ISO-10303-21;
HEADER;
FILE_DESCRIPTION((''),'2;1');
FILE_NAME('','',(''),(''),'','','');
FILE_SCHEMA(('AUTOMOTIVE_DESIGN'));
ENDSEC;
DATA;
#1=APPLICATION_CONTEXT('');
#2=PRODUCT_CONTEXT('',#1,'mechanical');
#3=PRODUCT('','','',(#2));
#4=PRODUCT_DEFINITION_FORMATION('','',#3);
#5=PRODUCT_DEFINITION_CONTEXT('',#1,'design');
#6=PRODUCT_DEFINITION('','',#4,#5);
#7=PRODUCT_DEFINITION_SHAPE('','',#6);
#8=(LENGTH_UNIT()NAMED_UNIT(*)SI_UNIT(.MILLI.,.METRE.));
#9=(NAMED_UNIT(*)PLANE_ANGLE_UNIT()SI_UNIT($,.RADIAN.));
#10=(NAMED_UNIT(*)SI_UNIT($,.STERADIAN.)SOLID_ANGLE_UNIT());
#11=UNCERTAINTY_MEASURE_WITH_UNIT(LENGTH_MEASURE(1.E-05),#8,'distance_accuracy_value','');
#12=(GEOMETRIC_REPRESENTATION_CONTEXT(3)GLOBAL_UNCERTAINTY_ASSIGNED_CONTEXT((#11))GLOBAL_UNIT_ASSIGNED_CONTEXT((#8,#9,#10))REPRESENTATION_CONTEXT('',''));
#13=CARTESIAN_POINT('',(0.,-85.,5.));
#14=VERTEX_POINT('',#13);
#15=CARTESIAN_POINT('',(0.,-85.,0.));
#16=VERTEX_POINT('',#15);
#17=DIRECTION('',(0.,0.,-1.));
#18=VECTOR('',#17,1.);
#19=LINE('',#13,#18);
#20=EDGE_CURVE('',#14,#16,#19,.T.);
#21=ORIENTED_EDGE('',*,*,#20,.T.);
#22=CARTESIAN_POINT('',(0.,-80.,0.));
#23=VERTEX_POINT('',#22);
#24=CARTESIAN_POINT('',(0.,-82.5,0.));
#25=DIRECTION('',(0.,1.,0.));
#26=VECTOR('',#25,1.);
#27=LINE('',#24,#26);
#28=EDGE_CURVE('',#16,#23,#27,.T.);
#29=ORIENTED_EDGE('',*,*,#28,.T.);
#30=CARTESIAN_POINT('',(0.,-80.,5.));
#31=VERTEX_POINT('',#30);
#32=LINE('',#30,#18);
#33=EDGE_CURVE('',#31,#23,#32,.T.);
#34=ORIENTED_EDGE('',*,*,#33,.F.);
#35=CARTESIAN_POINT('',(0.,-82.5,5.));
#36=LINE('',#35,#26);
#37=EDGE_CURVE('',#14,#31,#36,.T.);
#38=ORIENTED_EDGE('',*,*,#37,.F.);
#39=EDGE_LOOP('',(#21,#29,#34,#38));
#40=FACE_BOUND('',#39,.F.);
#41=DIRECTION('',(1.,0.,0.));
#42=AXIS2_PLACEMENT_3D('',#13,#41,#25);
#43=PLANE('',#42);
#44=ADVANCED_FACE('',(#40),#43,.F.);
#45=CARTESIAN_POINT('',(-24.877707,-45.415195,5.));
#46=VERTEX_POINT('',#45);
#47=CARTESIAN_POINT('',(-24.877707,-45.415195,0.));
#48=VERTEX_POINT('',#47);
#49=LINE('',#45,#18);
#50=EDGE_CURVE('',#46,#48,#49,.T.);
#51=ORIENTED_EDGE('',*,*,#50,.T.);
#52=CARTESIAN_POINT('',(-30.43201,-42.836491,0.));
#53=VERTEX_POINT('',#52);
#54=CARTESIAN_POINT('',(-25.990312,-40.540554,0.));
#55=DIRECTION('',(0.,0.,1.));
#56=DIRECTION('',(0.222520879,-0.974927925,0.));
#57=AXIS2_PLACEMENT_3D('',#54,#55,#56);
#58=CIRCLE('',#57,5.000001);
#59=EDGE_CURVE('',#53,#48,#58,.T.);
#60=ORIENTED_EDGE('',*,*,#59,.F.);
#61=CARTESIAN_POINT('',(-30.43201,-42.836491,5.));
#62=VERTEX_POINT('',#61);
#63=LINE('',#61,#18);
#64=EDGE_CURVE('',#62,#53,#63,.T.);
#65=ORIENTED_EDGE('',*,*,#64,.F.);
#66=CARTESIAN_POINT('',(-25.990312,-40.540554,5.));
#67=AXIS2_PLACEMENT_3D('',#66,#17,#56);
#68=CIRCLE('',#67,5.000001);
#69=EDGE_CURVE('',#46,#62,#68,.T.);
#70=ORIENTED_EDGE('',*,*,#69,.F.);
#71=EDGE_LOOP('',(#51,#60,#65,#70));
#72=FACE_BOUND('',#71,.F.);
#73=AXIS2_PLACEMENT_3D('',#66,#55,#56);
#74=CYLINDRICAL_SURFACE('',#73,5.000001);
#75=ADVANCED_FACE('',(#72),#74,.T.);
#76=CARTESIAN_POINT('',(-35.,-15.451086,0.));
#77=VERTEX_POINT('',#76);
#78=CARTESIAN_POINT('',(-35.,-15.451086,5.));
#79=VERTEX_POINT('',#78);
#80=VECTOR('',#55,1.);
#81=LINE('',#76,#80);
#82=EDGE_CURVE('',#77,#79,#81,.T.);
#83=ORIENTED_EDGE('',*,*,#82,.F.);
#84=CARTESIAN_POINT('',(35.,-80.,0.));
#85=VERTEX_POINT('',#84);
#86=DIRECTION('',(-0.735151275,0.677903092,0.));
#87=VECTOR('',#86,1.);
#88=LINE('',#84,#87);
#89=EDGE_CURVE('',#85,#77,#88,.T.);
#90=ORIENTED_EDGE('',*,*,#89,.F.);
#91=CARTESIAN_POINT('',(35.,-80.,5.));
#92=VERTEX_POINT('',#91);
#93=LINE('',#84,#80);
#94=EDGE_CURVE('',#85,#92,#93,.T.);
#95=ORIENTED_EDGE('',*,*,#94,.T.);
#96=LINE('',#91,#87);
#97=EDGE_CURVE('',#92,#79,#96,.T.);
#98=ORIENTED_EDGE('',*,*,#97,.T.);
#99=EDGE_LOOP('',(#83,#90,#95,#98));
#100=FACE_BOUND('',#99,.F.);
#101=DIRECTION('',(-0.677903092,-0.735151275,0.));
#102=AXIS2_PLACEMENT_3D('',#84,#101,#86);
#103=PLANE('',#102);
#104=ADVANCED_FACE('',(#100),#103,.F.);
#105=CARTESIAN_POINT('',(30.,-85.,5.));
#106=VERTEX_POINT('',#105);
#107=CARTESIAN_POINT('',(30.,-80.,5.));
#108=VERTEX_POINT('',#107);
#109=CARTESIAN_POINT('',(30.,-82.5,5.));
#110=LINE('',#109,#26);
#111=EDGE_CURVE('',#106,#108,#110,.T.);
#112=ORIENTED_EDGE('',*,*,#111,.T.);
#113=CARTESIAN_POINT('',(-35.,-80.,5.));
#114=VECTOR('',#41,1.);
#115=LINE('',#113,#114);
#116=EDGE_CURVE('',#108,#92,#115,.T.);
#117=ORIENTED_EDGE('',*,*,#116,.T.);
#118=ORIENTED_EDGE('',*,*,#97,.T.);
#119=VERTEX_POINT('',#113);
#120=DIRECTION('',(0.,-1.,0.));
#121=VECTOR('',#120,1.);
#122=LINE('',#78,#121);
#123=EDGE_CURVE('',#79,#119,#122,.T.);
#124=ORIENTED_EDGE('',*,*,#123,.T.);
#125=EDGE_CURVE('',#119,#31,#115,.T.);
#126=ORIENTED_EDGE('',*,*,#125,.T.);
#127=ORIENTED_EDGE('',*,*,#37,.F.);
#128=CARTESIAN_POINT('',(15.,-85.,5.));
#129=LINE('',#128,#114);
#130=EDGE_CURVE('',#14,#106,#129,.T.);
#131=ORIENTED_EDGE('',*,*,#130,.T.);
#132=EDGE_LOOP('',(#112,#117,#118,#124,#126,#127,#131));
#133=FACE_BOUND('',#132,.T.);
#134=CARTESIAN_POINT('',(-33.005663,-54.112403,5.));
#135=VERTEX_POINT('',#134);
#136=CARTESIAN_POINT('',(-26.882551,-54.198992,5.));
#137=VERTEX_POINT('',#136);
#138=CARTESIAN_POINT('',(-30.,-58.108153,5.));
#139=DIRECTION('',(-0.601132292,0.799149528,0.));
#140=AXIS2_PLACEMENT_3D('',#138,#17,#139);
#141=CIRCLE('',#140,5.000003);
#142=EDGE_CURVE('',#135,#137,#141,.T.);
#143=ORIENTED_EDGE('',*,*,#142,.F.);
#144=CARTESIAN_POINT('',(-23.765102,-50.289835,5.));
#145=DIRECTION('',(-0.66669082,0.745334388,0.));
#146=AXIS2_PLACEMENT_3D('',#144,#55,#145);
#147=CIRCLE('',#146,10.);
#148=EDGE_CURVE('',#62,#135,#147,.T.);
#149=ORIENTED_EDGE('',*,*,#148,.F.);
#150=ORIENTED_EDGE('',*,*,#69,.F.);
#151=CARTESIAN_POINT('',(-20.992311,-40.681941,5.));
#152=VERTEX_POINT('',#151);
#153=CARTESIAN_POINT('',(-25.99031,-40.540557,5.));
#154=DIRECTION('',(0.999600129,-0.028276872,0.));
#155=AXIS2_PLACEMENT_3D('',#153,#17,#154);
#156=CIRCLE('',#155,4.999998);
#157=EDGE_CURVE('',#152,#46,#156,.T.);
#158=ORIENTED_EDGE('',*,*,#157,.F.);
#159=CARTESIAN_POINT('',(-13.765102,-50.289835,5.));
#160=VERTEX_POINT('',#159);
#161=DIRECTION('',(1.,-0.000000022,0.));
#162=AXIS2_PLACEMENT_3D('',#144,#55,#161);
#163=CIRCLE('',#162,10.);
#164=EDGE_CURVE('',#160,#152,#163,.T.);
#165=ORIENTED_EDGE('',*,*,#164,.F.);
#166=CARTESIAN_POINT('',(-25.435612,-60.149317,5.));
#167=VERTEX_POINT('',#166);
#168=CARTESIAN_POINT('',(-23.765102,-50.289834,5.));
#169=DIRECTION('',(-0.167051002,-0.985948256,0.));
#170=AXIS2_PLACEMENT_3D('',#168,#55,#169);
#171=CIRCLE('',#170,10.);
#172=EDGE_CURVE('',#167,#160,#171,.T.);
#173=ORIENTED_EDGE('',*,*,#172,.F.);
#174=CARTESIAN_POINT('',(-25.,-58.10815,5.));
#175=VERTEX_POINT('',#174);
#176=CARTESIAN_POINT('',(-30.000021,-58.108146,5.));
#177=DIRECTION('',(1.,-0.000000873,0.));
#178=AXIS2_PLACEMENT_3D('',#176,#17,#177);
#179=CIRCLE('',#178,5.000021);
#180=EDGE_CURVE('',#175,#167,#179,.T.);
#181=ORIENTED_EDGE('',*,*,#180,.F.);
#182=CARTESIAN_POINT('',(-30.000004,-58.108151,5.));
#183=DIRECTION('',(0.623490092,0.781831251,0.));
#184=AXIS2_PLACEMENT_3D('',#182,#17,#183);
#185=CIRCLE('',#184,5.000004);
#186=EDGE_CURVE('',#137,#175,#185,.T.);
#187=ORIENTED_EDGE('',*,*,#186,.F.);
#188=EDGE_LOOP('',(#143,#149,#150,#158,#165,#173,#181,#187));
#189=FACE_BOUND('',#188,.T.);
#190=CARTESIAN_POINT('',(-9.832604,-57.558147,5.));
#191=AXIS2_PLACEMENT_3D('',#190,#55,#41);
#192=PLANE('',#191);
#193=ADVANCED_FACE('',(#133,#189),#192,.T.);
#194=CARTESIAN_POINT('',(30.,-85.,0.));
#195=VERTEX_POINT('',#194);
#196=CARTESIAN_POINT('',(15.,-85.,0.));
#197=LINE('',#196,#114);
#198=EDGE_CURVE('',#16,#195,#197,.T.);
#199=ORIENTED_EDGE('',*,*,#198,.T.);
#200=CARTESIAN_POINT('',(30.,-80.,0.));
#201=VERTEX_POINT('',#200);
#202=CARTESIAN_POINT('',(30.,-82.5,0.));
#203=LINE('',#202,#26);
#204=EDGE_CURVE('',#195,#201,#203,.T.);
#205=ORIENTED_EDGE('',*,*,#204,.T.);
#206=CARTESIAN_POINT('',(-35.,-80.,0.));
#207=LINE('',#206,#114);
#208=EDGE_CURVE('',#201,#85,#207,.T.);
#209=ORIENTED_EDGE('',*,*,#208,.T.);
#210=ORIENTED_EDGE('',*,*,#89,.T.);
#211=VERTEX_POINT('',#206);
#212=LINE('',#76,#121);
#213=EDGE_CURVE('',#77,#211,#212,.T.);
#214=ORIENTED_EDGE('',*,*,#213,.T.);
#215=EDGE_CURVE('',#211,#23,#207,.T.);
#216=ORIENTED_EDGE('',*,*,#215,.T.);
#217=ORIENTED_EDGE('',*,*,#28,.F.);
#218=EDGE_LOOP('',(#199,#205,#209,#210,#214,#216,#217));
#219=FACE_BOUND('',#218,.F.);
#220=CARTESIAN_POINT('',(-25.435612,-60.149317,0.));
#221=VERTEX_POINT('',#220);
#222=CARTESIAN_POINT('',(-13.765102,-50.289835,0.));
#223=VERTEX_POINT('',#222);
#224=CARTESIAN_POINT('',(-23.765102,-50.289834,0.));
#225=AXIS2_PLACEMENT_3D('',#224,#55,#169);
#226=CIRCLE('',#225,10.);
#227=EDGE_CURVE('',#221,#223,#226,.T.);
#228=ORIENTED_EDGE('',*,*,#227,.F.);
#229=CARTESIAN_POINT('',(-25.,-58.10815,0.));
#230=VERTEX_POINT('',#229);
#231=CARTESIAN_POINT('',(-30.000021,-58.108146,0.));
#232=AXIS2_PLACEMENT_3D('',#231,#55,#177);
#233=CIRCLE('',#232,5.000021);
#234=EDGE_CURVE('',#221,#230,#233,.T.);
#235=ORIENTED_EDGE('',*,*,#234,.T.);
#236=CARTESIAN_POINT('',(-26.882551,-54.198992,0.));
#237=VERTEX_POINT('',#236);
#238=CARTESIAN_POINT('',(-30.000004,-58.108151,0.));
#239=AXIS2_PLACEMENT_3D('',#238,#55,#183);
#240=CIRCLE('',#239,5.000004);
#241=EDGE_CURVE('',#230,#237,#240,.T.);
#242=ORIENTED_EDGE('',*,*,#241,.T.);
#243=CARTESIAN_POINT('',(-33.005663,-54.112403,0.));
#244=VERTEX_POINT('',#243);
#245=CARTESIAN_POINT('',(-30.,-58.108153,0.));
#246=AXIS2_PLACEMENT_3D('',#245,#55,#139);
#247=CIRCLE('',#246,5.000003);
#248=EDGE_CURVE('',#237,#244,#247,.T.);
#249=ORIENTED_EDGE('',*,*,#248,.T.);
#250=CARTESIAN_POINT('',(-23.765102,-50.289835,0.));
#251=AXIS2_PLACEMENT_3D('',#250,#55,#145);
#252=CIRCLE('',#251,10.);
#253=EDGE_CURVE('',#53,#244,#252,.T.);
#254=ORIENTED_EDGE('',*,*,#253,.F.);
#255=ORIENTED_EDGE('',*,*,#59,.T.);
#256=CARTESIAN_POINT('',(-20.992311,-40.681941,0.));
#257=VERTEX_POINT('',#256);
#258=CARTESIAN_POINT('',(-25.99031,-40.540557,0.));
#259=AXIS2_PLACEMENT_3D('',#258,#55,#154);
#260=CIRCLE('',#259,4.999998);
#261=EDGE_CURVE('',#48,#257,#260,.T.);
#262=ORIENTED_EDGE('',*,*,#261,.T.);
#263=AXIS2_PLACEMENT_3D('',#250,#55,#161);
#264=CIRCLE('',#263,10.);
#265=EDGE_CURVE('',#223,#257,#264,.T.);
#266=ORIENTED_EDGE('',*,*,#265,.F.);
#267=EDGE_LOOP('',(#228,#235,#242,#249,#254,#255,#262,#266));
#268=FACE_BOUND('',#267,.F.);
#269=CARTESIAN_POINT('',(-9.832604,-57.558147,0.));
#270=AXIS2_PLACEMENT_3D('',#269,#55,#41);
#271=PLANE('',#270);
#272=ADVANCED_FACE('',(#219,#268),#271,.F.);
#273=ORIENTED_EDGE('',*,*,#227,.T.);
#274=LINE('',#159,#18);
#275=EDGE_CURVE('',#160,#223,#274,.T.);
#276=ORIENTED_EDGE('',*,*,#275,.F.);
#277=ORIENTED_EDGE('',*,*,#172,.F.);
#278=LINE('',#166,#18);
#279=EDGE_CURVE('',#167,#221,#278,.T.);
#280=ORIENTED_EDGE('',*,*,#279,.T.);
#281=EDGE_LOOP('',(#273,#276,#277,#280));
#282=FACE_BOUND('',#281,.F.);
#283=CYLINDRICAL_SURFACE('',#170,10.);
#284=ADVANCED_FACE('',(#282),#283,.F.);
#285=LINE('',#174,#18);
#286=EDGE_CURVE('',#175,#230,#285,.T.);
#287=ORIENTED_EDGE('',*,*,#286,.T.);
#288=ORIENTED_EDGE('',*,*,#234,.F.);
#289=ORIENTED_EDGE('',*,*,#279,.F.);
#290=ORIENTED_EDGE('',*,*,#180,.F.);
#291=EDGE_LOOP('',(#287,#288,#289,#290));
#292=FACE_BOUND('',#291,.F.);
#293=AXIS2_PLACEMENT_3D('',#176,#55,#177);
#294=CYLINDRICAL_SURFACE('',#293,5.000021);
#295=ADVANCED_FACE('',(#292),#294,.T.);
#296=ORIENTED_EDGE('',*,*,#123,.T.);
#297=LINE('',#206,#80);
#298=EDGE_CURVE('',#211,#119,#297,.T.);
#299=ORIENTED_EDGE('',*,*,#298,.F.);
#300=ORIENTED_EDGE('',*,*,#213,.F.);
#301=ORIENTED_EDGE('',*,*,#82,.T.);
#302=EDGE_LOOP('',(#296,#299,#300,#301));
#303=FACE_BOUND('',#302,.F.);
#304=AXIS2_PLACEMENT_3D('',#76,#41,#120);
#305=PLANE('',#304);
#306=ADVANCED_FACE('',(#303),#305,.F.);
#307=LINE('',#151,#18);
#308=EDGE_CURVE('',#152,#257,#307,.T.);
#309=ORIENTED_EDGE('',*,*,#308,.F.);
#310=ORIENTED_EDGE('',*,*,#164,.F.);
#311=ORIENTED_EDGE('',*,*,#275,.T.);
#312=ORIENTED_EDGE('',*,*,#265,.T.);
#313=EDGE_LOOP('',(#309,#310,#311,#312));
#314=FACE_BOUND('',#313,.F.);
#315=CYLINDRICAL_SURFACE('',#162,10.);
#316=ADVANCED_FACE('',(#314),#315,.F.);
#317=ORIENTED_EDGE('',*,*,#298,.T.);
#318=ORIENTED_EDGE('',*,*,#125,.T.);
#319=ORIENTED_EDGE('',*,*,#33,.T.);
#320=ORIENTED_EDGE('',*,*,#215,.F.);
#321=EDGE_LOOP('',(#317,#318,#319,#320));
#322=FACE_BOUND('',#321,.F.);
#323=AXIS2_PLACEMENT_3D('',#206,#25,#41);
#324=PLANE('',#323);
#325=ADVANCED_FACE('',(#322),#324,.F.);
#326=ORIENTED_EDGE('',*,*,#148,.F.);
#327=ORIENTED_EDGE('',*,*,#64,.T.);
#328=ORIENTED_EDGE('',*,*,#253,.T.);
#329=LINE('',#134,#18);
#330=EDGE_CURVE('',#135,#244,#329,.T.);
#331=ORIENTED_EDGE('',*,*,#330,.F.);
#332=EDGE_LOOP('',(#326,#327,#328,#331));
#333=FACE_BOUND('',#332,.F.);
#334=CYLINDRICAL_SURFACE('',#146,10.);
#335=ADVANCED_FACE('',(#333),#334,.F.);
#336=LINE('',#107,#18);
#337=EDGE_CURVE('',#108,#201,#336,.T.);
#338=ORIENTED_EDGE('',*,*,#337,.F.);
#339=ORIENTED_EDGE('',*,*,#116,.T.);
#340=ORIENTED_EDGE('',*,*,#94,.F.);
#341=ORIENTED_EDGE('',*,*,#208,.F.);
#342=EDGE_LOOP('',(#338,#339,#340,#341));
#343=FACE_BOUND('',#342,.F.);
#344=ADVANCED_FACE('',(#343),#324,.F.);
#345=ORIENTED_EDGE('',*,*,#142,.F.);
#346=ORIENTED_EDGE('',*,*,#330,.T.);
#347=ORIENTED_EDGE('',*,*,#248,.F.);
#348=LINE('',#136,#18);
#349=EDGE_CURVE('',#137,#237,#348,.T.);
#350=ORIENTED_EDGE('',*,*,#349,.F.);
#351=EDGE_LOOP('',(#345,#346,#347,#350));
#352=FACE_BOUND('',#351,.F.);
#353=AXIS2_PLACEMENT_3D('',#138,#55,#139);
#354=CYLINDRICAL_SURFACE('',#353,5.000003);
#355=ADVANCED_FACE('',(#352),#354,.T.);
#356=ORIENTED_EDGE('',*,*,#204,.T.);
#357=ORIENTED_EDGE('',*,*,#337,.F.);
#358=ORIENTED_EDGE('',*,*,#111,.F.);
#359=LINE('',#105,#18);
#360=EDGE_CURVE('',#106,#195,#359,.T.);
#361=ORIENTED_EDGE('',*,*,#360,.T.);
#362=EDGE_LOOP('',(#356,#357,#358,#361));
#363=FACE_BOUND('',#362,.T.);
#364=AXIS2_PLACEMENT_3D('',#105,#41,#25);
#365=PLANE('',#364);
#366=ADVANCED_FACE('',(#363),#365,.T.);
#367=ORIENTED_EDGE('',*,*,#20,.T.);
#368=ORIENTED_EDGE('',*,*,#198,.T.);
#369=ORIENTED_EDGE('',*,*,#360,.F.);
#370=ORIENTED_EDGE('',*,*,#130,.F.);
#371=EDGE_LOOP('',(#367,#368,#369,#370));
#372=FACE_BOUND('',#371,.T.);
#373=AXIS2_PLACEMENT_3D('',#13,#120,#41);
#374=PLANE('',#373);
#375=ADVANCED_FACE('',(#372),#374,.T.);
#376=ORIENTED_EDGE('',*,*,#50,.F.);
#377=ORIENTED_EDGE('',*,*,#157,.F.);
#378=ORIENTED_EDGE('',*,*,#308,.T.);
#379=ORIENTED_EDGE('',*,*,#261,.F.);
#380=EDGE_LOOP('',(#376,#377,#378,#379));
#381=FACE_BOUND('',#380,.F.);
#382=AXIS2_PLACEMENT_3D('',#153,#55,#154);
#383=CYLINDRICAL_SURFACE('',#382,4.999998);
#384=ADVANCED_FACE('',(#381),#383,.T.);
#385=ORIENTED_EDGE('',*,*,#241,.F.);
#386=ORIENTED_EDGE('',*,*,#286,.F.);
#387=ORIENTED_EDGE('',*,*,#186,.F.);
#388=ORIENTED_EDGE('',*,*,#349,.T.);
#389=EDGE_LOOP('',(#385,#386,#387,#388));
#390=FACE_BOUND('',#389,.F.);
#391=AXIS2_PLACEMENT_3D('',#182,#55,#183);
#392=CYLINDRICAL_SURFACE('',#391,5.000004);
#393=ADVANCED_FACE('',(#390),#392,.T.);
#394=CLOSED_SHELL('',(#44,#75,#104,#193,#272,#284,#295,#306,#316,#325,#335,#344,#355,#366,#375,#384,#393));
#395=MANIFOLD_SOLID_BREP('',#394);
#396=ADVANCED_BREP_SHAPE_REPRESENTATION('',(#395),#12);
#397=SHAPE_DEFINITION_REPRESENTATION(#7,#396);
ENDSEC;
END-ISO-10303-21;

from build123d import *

# Parameters (mm, degrees)
F1_DEPTH = 5
F2_W     = 30
F2_H     = 5
F3_DEPTH = 5
F5_DEPTH = 5.001


with BuildPart() as f1:
    # F0 (on Top) → F1 (new body)
    with BuildSketch(Plane.XY):
        Polygon((-35, -80), (35, -80), (-35, -15.451086), align=None)
    extrude(amount=F1_DEPTH)

    # F2 (on face) → F3 (join)
    with BuildSketch(Plane.XY.offset(5)):
        with Locations((15, -82.5)):
            Rectangle(F2_W, F2_H)
    extrude(amount=-F3_DEPTH)

    # F4 (on face) → F5 (cut, through all)
    with BuildSketch(Plane.XY.offset(5)):
        with BuildLine():
            Line((-24.877707, -45.415195), (-23.765102, -50.289835))
            Line((-23.765102, -50.289835), (-26.882551, -54.198992))
            ThreePointArc((-26.882551, -54.198992), (-25.495156, -55.938731), (-25, -58.10815))
            ThreePointArc((-25, -58.10815), (-25.110116, -59.151716), (-25.435612, -60.149317))
            ThreePointArc((-25.435612, -60.149317), (-17.311619, -57.928719), (-13.765102, -50.289835))
            ThreePointArc((-13.765102, -50.289835), (-15.773609, -44.278509), (-20.992311, -40.681941))
            ThreePointArc((-20.992311, -40.681941), (-22.125625, -43.712968), (-24.877707, -45.415195))
        make_face()
        with BuildLine():
            Line((-26.882551, -54.198992), (-23.765102, -50.289835))
            Line((-23.765102, -50.289835), (-24.877707, -45.415195))
            ThreePointArc((-24.877707, -45.415195), (-28.095815, -45.075625), (-30.43201, -42.836491))
            ThreePointArc((-30.43201, -42.836491), (-33.514381, -48.064626), (-33.005663, -54.112403))
            ThreePointArc((-33.005663, -54.112403), (-29.9293, -53.10865), (-26.882551, -54.198992))
        make_face()
    extrude(amount=-F5_DEPTH, mode=Mode.SUBTRACT)


solid = f1.part
